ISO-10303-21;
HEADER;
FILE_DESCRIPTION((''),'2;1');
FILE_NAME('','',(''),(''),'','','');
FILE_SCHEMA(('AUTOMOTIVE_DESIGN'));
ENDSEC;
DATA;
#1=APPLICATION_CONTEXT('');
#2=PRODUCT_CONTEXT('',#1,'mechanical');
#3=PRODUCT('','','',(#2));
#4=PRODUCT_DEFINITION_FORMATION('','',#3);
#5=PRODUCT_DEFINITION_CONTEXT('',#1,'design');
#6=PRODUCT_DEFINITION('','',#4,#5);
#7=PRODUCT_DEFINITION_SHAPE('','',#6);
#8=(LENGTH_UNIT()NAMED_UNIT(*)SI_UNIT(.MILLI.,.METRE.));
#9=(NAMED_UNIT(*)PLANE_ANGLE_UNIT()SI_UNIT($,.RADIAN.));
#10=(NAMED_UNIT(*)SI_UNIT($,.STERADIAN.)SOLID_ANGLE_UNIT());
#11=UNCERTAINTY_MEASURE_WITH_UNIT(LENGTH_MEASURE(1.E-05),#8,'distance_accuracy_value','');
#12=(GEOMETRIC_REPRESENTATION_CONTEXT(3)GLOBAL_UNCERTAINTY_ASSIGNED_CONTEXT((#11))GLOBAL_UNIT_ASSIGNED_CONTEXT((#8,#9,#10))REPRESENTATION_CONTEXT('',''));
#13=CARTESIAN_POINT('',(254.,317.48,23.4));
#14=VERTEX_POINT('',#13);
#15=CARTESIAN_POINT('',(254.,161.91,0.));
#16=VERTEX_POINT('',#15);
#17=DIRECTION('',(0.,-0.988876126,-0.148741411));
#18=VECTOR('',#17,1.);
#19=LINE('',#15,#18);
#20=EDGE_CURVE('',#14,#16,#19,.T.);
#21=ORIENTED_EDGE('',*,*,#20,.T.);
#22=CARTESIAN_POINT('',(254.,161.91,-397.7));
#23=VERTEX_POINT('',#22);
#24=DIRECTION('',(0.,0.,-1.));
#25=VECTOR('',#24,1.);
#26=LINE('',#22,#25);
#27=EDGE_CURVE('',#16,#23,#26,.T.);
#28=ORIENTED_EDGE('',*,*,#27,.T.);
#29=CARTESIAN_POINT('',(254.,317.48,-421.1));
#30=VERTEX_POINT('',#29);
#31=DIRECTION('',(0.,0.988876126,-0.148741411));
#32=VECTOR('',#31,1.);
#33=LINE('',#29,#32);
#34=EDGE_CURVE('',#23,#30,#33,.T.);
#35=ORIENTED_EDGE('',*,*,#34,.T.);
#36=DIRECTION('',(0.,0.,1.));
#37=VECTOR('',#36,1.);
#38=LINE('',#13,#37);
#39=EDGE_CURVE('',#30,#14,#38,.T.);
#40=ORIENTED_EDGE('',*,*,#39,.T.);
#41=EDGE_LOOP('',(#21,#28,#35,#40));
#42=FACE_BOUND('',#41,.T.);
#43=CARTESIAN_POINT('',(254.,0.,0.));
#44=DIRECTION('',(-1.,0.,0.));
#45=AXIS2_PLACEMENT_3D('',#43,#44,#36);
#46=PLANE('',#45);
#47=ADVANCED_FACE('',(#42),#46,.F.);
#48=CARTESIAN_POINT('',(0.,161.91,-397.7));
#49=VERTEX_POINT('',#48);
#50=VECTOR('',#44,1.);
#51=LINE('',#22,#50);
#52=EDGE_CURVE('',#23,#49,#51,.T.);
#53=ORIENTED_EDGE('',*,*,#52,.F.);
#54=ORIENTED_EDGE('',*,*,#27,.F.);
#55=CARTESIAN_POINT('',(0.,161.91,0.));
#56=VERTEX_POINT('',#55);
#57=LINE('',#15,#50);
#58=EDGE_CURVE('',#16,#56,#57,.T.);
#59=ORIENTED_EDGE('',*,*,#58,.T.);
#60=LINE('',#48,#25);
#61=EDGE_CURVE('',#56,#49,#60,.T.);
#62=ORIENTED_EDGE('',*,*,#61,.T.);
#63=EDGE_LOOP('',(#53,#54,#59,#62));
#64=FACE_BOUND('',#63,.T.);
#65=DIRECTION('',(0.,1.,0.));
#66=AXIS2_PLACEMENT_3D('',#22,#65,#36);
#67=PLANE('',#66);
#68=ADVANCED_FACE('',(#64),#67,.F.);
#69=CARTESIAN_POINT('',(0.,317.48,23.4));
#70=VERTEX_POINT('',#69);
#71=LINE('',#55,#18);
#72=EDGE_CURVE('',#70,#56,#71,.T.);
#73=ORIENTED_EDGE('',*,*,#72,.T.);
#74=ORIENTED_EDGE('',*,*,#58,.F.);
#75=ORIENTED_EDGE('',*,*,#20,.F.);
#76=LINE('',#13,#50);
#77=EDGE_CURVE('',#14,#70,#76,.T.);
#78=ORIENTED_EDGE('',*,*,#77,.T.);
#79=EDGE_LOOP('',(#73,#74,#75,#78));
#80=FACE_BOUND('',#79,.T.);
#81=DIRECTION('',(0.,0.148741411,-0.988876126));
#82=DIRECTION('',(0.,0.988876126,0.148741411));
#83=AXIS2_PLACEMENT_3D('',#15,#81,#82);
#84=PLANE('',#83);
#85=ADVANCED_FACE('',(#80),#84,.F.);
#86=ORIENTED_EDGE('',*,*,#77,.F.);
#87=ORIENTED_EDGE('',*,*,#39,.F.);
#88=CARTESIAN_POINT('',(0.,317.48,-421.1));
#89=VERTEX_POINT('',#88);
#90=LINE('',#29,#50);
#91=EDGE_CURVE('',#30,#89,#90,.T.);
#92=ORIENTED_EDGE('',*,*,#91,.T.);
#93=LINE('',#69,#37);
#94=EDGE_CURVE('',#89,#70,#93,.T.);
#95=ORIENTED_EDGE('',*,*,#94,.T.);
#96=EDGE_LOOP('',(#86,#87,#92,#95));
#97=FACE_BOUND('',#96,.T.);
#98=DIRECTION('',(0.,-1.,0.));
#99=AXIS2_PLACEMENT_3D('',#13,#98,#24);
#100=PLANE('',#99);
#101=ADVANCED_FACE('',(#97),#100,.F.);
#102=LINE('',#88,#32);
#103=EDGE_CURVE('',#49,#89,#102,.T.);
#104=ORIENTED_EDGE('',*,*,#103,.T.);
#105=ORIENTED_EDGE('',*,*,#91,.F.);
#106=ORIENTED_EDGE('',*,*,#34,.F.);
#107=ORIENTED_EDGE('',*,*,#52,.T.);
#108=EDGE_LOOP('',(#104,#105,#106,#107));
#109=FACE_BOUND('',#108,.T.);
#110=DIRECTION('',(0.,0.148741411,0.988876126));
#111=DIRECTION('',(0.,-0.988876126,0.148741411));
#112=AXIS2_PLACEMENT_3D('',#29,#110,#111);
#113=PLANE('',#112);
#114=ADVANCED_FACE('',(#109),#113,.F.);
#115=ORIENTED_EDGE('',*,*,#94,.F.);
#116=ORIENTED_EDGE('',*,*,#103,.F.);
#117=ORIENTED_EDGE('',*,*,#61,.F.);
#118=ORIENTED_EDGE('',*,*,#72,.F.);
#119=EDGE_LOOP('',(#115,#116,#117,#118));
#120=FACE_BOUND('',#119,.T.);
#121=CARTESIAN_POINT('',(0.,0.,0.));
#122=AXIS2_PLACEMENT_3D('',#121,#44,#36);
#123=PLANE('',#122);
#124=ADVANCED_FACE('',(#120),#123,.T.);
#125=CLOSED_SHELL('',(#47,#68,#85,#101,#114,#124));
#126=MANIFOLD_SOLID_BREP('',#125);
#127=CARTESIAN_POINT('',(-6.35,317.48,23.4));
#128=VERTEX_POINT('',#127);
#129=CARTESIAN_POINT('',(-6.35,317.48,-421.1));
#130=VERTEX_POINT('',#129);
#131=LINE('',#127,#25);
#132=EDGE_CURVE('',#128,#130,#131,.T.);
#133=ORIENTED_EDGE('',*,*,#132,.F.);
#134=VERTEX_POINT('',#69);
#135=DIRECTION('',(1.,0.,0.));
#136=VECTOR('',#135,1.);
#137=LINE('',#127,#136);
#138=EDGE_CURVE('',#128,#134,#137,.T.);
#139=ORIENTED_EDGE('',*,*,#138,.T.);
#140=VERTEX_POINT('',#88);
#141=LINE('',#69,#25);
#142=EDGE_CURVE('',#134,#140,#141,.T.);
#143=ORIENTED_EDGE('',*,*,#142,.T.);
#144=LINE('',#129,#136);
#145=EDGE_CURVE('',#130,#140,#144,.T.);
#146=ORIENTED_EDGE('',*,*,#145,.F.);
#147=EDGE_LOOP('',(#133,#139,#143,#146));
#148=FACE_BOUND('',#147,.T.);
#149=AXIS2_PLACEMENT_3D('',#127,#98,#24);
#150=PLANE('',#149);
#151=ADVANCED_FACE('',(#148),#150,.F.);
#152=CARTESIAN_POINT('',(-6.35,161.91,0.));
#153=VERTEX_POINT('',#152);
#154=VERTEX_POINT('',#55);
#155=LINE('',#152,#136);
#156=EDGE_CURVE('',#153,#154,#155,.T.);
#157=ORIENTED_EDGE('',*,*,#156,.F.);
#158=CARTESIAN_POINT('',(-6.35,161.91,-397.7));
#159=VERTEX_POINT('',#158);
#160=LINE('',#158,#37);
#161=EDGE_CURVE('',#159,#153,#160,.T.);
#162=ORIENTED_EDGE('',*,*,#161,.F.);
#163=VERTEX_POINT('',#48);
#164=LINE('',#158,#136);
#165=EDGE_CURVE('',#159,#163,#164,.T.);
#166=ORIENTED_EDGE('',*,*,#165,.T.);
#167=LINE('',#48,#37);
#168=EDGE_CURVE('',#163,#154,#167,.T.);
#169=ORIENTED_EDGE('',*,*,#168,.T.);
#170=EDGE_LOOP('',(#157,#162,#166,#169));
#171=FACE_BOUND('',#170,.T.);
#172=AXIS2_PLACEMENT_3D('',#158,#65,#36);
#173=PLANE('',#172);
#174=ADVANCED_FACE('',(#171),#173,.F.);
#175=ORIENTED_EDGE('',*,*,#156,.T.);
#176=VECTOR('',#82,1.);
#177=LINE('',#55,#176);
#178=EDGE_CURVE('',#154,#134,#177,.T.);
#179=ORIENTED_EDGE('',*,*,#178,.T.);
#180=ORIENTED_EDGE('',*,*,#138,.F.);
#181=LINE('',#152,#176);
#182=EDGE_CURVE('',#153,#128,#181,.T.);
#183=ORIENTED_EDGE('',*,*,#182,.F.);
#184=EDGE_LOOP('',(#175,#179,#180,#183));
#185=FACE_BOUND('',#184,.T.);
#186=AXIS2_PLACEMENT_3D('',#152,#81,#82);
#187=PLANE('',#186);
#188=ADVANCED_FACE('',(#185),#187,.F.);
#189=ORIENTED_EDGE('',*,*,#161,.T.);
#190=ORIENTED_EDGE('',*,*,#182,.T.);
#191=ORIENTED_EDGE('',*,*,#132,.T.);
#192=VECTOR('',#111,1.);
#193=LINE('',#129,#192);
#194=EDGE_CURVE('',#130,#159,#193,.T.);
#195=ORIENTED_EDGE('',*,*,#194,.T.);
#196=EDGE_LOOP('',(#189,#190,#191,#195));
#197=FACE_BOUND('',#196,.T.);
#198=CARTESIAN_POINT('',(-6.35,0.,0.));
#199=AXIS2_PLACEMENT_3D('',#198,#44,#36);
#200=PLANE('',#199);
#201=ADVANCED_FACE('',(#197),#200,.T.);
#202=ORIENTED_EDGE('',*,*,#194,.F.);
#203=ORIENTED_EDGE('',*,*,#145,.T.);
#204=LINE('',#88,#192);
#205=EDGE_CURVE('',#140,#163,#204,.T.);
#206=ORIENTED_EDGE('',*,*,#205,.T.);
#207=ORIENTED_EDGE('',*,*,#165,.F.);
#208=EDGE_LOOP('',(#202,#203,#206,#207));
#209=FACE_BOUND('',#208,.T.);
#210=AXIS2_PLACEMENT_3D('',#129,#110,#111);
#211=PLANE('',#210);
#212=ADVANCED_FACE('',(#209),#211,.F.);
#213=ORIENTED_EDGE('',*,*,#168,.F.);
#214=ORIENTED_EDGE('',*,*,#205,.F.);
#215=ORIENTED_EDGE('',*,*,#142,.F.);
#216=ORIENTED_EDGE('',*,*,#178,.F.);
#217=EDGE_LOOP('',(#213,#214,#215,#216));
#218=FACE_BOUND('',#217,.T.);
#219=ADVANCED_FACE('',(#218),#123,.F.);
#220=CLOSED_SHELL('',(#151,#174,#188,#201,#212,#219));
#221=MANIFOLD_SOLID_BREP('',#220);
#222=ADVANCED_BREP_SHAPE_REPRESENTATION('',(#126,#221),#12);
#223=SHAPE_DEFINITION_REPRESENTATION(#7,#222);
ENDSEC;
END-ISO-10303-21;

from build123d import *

# Parameters (mm, degrees)
BOSS_EXTRUDE1_DEPTH = 254
BOSS_EXTRUDE2_DEPTH = 6.35


with BuildPart() as part:
    # Sketch1 → Boss-Extrude1 (new body)
    with BuildSketch(Plane(origin=(0, 0, 0), x_dir=(0, 0, -1), z_dir=(1, 0, 0))):
        Polygon((0, 161.91), (-23.4, 317.48), (421.1, 317.48), (397.7, 161.91), align=None)
    extrude(amount=BOSS_EXTRUDE1_DEPTH)


with BuildPart() as body_2:
    # Sketch5 → Boss-Extrude2 (new body)
    with BuildSketch(Plane.ZY):
        Polygon((-397.7, 161.91), (0, 161.91), (23.4, 317.48), (-421.1, 317.48), align=None)
    extrude(amount=BOSS_EXTRUDE2_DEPTH)


solid = Compound([part.part, body_2.part])
